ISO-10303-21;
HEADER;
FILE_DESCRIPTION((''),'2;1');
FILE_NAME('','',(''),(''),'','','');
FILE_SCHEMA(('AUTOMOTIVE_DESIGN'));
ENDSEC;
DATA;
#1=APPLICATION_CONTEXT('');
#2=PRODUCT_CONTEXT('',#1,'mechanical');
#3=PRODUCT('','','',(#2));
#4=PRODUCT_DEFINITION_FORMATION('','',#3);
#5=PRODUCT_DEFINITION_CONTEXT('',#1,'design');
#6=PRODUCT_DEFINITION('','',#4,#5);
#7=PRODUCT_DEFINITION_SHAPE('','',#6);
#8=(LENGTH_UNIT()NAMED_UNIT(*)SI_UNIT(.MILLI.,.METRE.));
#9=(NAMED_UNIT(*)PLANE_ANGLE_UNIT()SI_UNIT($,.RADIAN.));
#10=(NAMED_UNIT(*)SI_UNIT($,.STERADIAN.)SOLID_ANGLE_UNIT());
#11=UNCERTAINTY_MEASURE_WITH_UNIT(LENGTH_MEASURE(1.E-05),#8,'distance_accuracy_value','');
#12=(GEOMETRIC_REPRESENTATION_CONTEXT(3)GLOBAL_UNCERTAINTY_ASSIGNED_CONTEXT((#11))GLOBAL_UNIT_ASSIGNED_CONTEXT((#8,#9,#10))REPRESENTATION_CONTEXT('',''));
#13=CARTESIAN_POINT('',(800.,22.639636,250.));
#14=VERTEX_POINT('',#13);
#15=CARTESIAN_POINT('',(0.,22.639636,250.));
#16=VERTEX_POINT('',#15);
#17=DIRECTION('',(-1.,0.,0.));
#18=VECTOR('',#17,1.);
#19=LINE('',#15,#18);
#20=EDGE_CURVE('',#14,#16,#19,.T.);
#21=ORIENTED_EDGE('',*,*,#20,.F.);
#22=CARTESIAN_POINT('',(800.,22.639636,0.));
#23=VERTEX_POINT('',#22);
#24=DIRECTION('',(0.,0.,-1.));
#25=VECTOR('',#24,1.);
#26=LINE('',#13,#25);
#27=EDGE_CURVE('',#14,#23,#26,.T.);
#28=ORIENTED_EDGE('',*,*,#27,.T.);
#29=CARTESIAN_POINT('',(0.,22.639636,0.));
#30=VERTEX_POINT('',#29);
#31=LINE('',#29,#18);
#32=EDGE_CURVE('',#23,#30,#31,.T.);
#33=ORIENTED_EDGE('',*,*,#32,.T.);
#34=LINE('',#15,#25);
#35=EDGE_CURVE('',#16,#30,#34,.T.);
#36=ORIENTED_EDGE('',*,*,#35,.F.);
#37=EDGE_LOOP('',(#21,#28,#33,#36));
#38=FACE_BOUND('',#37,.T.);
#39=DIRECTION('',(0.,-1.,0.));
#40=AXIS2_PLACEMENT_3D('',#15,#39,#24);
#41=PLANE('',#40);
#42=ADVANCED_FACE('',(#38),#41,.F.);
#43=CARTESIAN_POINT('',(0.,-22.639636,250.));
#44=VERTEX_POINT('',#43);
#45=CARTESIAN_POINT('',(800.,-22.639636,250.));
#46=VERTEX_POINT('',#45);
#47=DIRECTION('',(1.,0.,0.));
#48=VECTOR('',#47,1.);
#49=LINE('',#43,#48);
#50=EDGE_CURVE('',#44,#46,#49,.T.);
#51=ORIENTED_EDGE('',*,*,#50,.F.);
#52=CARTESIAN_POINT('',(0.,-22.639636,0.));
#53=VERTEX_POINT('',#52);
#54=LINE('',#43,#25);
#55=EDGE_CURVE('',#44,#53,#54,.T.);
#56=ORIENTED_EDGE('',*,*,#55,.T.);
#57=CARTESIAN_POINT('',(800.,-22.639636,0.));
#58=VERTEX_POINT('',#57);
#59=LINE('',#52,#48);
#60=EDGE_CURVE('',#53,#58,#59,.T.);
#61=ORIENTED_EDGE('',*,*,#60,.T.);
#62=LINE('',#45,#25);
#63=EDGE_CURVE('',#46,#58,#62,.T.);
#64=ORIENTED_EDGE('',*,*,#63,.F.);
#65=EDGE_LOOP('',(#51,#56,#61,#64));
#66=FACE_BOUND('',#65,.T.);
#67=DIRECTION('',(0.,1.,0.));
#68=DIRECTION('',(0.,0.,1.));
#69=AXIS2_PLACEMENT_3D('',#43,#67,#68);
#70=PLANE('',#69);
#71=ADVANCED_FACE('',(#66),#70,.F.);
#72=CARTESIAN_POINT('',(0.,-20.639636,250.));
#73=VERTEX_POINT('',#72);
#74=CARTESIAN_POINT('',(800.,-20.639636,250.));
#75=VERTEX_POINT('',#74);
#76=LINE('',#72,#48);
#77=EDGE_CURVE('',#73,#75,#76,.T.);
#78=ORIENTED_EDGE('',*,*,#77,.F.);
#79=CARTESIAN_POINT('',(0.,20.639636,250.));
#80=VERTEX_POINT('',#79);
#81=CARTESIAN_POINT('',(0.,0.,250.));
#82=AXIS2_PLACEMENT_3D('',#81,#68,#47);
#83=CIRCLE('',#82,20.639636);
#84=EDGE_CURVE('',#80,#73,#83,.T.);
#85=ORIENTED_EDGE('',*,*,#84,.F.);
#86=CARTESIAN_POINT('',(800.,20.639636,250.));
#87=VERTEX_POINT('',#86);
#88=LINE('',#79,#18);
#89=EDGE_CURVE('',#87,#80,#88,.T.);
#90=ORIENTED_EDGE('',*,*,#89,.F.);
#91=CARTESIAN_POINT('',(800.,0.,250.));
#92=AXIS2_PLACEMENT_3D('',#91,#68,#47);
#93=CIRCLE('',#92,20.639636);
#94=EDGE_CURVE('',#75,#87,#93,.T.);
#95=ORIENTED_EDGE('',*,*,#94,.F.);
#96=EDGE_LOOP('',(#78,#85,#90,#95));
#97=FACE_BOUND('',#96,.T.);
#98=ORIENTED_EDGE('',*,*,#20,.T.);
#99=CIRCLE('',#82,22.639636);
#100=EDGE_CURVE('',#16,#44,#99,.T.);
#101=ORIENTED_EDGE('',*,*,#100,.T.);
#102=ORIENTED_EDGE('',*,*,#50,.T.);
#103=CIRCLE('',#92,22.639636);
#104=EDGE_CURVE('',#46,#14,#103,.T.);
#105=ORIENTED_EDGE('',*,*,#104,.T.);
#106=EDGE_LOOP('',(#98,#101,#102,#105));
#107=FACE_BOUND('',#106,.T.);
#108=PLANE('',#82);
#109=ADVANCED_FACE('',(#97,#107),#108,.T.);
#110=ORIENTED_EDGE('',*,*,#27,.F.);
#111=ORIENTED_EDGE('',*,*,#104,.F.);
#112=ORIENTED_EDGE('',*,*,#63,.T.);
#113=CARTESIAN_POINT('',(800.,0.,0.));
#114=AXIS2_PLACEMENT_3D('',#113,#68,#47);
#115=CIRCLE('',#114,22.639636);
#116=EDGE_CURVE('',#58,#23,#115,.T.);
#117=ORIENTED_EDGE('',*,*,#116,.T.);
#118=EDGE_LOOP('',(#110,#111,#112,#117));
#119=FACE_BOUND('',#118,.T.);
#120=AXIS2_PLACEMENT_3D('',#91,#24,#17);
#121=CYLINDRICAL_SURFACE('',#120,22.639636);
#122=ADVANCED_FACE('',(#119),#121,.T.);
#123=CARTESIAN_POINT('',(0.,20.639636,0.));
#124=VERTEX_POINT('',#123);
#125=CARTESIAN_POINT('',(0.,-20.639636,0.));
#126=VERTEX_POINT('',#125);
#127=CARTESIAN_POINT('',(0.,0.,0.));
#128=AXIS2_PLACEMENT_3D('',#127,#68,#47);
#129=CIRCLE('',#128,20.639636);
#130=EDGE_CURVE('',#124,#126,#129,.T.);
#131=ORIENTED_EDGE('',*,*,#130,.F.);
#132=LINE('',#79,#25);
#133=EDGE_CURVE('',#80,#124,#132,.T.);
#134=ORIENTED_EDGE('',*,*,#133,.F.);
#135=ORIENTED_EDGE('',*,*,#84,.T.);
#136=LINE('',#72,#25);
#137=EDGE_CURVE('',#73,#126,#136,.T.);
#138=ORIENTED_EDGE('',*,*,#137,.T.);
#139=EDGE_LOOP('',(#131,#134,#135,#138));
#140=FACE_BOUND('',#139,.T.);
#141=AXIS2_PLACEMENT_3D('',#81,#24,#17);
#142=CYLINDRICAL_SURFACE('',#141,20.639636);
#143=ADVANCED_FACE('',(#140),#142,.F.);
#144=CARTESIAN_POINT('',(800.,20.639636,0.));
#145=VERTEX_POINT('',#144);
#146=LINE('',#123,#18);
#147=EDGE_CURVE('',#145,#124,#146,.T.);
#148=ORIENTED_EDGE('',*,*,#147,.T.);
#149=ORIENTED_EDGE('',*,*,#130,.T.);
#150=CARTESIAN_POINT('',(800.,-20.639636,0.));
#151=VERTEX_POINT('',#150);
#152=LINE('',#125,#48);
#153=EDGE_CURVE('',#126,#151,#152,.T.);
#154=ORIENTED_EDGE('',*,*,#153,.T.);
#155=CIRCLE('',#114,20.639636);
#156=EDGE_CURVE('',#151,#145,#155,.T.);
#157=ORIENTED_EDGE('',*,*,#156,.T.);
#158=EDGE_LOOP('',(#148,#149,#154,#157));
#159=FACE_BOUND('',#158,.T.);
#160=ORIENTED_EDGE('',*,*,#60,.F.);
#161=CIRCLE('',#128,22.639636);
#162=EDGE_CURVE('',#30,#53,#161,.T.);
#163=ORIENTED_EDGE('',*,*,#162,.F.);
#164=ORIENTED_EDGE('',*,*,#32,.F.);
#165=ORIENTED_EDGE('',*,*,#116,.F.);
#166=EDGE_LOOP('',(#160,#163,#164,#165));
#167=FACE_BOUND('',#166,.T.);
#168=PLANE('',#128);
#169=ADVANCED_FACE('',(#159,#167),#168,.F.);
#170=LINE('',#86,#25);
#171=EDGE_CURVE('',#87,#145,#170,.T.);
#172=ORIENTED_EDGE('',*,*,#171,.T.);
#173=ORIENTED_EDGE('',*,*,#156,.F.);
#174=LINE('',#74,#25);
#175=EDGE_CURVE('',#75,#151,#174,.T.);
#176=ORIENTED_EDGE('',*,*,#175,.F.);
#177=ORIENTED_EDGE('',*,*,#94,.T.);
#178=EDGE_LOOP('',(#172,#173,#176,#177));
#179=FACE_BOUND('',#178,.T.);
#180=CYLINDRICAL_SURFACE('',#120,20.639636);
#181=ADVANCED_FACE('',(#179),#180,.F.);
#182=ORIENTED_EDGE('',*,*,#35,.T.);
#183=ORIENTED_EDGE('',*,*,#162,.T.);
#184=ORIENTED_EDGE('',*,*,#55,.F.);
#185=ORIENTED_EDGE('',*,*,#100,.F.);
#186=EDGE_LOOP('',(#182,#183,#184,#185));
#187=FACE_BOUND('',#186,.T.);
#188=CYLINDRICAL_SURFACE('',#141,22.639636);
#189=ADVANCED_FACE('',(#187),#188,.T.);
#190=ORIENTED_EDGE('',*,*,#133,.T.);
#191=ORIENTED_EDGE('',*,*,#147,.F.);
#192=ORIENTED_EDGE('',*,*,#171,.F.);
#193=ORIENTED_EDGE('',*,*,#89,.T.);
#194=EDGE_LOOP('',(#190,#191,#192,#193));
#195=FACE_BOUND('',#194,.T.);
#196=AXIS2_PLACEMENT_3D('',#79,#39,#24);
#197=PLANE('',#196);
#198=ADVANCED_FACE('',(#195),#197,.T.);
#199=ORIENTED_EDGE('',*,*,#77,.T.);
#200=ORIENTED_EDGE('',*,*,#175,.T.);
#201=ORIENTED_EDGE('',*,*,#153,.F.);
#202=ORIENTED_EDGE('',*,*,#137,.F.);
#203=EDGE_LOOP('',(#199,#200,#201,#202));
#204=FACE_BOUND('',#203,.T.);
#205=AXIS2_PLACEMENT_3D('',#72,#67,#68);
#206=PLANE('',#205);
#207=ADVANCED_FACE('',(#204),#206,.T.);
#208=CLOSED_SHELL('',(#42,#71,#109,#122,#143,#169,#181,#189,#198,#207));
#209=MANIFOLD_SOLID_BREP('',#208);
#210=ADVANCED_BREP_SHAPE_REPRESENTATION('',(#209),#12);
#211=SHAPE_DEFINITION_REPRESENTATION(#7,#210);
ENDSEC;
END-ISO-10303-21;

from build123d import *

# Parameters (mm, degrees)
BOSS_EXTRUDE1_DEPTH = 250


with BuildPart() as part:
    # Sketch1 → Boss-Extrude1 (new body)
    with BuildSketch(Plane.XY):
        with BuildLine():
            Line((0, 22.639636035), (800, 22.639636035))
            ThreePointArc((800, 22.639636035), (822.639636035, 0), (800, -22.639636035))
            Line((800, -22.639636035), (0, -22.639636035))
            ThreePointArc((0, -22.639636035), (-22.639636035, 0), (0, 22.639636035))
        make_face()
        with BuildLine():
            Line((0, 20.639636035), (800, 20.639636035))
            ThreePointArc((800, 20.639636035), (820.639636035, 0), (800, -20.639636035))
            Line((800, -20.639636035), (0, -20.639636035))
            ThreePointArc((0, -20.639636035), (-20.639636035, 0), (0, 20.639636035))
        make_face(mode=Mode.SUBTRACT)
    extrude(amount=BOSS_EXTRUDE1_DEPTH)


solid = part.part
